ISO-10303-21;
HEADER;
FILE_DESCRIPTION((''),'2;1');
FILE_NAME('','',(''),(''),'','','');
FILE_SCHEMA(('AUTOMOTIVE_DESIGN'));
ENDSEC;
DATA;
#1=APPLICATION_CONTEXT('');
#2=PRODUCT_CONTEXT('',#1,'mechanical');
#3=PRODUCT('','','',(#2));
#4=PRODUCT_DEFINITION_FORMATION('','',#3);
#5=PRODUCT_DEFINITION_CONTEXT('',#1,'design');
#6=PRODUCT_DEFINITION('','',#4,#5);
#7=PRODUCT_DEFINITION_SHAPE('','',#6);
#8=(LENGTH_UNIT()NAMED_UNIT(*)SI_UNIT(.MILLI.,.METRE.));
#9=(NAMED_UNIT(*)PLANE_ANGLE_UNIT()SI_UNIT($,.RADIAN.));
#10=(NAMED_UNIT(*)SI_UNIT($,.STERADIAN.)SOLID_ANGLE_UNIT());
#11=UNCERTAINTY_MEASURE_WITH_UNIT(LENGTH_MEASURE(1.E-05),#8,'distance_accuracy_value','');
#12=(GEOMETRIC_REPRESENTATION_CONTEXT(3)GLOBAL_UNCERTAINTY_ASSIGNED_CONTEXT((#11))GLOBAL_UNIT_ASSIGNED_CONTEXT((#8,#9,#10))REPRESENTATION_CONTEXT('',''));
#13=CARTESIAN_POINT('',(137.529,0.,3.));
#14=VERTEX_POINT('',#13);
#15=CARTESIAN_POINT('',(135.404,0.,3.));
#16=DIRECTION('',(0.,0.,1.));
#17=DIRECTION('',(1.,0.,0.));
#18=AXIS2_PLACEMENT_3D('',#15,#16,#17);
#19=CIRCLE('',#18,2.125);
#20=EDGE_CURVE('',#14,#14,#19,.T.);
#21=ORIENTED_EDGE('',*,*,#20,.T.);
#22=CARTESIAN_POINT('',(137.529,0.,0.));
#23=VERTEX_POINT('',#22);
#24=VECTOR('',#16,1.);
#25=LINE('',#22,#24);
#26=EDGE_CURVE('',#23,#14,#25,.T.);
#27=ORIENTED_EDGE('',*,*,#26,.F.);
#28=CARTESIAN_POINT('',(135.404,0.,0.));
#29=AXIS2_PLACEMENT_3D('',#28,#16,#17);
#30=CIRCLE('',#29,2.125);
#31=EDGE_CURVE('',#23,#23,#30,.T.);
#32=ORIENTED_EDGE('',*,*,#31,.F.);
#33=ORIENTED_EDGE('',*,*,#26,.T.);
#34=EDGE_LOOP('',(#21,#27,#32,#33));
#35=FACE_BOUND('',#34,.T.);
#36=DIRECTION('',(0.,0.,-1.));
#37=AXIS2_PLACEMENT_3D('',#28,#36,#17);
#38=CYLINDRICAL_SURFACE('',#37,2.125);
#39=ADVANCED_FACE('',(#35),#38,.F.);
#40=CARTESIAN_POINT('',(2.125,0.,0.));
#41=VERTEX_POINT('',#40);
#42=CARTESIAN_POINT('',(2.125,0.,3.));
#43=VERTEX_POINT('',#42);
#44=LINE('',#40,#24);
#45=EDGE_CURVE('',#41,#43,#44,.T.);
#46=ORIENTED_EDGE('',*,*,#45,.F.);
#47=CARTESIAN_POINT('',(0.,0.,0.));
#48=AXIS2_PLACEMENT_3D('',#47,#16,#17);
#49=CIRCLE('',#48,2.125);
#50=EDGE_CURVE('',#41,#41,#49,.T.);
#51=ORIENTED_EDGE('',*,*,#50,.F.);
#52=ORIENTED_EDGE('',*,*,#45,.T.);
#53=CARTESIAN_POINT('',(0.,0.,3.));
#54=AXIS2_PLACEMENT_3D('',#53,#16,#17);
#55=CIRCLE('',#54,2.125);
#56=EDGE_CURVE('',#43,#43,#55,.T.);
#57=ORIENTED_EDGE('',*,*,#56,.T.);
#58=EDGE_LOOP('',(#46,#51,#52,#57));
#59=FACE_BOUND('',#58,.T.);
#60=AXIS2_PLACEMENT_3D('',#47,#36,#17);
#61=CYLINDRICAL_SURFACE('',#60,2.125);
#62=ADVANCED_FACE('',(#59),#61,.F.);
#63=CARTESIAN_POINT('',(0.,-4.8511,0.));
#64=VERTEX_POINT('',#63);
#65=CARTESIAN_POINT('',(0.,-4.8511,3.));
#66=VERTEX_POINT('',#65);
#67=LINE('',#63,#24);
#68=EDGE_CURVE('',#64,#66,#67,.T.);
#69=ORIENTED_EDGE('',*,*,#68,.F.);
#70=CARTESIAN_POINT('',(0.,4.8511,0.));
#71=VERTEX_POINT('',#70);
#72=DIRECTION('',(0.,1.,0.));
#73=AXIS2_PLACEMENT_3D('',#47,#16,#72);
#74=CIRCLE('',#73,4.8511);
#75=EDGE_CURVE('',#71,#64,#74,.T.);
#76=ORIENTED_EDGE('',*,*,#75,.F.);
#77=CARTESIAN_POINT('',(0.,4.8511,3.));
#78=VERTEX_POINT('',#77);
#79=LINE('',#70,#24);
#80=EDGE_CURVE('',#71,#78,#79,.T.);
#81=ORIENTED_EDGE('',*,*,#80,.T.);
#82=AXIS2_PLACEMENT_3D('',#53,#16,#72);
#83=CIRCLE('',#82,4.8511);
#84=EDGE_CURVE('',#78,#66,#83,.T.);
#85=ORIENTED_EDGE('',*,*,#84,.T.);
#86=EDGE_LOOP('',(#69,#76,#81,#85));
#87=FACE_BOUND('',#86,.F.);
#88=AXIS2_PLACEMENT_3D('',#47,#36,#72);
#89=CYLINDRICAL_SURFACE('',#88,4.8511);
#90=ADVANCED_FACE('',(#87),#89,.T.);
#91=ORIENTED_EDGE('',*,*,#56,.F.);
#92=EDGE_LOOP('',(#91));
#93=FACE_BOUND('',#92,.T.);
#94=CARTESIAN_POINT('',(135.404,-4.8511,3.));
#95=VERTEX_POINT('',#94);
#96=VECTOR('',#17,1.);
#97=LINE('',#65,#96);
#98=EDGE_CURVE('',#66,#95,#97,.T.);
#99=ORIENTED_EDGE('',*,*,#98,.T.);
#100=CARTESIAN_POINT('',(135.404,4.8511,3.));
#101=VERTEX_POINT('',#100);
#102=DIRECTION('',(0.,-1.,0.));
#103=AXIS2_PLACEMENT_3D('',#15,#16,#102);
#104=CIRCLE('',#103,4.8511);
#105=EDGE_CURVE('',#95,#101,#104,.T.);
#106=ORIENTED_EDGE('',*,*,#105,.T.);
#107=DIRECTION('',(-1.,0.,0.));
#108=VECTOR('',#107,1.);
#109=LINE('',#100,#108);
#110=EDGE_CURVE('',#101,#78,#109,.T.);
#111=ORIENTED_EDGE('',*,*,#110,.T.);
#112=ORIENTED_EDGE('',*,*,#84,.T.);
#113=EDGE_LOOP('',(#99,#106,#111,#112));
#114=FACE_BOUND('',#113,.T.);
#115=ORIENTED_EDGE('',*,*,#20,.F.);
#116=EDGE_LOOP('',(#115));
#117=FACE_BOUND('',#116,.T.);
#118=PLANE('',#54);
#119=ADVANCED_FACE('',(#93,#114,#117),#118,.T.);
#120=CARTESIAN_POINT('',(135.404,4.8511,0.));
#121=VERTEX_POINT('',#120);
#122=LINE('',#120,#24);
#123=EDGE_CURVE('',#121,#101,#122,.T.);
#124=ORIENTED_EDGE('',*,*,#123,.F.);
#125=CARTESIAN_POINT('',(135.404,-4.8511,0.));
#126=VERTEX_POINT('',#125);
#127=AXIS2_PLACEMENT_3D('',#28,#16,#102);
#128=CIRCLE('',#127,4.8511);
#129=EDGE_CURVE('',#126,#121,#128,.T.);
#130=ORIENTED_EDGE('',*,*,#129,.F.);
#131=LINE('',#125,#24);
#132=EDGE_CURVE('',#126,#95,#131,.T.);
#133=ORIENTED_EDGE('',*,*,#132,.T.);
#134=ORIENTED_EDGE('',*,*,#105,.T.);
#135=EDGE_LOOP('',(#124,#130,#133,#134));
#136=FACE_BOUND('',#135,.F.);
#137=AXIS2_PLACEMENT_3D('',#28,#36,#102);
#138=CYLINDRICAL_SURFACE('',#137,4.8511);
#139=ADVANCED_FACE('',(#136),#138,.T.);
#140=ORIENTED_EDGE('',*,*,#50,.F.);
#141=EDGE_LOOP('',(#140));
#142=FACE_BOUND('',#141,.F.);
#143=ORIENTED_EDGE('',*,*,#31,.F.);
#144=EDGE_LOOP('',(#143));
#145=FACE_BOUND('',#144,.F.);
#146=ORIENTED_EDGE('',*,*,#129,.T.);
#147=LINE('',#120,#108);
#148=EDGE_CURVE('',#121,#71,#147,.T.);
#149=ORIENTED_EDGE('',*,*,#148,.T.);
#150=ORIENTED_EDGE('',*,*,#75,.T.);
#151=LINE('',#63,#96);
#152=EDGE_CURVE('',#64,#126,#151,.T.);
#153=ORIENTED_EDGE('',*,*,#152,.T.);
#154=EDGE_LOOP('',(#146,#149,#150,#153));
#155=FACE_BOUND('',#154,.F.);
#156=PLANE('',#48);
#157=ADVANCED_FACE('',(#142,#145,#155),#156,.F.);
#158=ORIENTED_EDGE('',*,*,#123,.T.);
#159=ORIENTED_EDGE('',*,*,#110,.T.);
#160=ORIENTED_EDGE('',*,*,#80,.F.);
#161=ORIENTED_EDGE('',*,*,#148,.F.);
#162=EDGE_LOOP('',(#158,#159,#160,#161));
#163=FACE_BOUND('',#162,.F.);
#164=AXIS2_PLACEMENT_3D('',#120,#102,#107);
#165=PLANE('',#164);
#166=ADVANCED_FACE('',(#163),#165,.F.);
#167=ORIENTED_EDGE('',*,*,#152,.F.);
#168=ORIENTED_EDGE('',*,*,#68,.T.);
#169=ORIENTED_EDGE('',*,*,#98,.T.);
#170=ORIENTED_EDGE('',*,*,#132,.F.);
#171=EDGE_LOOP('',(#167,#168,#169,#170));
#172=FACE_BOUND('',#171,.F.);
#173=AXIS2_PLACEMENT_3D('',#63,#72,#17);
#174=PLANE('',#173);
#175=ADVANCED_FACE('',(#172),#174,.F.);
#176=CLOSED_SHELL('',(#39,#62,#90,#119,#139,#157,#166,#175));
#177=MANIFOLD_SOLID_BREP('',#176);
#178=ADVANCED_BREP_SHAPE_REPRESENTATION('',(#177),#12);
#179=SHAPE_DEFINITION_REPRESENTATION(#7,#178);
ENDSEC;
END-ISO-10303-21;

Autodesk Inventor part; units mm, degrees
ref_plane "YZ Plane" through (0, 0, 0) normal (1, 0, 0) x (0, 1, 0)
ref_plane "XZ Plane" through (0, 0, 0) normal (0, 1, 0) x (-1, 0, 0)
ref_plane "XY Plane" through (0, 0, 0) normal (0, 0, 1) x (1, 0, 0)
sketch "Sketch1" plane through (0, 0, 0) normal (0, 0, 1) x (1, 0, 0)
  line L0 (0, 0) -> (135.404, 0) construction
  line L1 (0, -4.8511) -> (135.404, -4.8511)
  line L2 (135.404, 4.8511) -> (0, 4.8511)
  arc A0 (0, 4.8511) -> (0, -4.8511) centre (0, 0) ccw
  arc A1 (135.404, -4.8511) -> (135.404, 4.8511) centre (135.404, 0) ccw
  circle A2 centre (0, 0) radius 2.125
  circle A3 centre (135.404, 0) radius 2.125
  point P0 (67.702, 0)
  point P1 (0.702, -2.0057)
  point P2 (0.702, 2.0057)
  dimension "d0" = 135.404
  dimension "d1" = 4.25
extrude "Extrusion1" add sketch "Sketch1" along normal blind 3
properties part number "linkage"
